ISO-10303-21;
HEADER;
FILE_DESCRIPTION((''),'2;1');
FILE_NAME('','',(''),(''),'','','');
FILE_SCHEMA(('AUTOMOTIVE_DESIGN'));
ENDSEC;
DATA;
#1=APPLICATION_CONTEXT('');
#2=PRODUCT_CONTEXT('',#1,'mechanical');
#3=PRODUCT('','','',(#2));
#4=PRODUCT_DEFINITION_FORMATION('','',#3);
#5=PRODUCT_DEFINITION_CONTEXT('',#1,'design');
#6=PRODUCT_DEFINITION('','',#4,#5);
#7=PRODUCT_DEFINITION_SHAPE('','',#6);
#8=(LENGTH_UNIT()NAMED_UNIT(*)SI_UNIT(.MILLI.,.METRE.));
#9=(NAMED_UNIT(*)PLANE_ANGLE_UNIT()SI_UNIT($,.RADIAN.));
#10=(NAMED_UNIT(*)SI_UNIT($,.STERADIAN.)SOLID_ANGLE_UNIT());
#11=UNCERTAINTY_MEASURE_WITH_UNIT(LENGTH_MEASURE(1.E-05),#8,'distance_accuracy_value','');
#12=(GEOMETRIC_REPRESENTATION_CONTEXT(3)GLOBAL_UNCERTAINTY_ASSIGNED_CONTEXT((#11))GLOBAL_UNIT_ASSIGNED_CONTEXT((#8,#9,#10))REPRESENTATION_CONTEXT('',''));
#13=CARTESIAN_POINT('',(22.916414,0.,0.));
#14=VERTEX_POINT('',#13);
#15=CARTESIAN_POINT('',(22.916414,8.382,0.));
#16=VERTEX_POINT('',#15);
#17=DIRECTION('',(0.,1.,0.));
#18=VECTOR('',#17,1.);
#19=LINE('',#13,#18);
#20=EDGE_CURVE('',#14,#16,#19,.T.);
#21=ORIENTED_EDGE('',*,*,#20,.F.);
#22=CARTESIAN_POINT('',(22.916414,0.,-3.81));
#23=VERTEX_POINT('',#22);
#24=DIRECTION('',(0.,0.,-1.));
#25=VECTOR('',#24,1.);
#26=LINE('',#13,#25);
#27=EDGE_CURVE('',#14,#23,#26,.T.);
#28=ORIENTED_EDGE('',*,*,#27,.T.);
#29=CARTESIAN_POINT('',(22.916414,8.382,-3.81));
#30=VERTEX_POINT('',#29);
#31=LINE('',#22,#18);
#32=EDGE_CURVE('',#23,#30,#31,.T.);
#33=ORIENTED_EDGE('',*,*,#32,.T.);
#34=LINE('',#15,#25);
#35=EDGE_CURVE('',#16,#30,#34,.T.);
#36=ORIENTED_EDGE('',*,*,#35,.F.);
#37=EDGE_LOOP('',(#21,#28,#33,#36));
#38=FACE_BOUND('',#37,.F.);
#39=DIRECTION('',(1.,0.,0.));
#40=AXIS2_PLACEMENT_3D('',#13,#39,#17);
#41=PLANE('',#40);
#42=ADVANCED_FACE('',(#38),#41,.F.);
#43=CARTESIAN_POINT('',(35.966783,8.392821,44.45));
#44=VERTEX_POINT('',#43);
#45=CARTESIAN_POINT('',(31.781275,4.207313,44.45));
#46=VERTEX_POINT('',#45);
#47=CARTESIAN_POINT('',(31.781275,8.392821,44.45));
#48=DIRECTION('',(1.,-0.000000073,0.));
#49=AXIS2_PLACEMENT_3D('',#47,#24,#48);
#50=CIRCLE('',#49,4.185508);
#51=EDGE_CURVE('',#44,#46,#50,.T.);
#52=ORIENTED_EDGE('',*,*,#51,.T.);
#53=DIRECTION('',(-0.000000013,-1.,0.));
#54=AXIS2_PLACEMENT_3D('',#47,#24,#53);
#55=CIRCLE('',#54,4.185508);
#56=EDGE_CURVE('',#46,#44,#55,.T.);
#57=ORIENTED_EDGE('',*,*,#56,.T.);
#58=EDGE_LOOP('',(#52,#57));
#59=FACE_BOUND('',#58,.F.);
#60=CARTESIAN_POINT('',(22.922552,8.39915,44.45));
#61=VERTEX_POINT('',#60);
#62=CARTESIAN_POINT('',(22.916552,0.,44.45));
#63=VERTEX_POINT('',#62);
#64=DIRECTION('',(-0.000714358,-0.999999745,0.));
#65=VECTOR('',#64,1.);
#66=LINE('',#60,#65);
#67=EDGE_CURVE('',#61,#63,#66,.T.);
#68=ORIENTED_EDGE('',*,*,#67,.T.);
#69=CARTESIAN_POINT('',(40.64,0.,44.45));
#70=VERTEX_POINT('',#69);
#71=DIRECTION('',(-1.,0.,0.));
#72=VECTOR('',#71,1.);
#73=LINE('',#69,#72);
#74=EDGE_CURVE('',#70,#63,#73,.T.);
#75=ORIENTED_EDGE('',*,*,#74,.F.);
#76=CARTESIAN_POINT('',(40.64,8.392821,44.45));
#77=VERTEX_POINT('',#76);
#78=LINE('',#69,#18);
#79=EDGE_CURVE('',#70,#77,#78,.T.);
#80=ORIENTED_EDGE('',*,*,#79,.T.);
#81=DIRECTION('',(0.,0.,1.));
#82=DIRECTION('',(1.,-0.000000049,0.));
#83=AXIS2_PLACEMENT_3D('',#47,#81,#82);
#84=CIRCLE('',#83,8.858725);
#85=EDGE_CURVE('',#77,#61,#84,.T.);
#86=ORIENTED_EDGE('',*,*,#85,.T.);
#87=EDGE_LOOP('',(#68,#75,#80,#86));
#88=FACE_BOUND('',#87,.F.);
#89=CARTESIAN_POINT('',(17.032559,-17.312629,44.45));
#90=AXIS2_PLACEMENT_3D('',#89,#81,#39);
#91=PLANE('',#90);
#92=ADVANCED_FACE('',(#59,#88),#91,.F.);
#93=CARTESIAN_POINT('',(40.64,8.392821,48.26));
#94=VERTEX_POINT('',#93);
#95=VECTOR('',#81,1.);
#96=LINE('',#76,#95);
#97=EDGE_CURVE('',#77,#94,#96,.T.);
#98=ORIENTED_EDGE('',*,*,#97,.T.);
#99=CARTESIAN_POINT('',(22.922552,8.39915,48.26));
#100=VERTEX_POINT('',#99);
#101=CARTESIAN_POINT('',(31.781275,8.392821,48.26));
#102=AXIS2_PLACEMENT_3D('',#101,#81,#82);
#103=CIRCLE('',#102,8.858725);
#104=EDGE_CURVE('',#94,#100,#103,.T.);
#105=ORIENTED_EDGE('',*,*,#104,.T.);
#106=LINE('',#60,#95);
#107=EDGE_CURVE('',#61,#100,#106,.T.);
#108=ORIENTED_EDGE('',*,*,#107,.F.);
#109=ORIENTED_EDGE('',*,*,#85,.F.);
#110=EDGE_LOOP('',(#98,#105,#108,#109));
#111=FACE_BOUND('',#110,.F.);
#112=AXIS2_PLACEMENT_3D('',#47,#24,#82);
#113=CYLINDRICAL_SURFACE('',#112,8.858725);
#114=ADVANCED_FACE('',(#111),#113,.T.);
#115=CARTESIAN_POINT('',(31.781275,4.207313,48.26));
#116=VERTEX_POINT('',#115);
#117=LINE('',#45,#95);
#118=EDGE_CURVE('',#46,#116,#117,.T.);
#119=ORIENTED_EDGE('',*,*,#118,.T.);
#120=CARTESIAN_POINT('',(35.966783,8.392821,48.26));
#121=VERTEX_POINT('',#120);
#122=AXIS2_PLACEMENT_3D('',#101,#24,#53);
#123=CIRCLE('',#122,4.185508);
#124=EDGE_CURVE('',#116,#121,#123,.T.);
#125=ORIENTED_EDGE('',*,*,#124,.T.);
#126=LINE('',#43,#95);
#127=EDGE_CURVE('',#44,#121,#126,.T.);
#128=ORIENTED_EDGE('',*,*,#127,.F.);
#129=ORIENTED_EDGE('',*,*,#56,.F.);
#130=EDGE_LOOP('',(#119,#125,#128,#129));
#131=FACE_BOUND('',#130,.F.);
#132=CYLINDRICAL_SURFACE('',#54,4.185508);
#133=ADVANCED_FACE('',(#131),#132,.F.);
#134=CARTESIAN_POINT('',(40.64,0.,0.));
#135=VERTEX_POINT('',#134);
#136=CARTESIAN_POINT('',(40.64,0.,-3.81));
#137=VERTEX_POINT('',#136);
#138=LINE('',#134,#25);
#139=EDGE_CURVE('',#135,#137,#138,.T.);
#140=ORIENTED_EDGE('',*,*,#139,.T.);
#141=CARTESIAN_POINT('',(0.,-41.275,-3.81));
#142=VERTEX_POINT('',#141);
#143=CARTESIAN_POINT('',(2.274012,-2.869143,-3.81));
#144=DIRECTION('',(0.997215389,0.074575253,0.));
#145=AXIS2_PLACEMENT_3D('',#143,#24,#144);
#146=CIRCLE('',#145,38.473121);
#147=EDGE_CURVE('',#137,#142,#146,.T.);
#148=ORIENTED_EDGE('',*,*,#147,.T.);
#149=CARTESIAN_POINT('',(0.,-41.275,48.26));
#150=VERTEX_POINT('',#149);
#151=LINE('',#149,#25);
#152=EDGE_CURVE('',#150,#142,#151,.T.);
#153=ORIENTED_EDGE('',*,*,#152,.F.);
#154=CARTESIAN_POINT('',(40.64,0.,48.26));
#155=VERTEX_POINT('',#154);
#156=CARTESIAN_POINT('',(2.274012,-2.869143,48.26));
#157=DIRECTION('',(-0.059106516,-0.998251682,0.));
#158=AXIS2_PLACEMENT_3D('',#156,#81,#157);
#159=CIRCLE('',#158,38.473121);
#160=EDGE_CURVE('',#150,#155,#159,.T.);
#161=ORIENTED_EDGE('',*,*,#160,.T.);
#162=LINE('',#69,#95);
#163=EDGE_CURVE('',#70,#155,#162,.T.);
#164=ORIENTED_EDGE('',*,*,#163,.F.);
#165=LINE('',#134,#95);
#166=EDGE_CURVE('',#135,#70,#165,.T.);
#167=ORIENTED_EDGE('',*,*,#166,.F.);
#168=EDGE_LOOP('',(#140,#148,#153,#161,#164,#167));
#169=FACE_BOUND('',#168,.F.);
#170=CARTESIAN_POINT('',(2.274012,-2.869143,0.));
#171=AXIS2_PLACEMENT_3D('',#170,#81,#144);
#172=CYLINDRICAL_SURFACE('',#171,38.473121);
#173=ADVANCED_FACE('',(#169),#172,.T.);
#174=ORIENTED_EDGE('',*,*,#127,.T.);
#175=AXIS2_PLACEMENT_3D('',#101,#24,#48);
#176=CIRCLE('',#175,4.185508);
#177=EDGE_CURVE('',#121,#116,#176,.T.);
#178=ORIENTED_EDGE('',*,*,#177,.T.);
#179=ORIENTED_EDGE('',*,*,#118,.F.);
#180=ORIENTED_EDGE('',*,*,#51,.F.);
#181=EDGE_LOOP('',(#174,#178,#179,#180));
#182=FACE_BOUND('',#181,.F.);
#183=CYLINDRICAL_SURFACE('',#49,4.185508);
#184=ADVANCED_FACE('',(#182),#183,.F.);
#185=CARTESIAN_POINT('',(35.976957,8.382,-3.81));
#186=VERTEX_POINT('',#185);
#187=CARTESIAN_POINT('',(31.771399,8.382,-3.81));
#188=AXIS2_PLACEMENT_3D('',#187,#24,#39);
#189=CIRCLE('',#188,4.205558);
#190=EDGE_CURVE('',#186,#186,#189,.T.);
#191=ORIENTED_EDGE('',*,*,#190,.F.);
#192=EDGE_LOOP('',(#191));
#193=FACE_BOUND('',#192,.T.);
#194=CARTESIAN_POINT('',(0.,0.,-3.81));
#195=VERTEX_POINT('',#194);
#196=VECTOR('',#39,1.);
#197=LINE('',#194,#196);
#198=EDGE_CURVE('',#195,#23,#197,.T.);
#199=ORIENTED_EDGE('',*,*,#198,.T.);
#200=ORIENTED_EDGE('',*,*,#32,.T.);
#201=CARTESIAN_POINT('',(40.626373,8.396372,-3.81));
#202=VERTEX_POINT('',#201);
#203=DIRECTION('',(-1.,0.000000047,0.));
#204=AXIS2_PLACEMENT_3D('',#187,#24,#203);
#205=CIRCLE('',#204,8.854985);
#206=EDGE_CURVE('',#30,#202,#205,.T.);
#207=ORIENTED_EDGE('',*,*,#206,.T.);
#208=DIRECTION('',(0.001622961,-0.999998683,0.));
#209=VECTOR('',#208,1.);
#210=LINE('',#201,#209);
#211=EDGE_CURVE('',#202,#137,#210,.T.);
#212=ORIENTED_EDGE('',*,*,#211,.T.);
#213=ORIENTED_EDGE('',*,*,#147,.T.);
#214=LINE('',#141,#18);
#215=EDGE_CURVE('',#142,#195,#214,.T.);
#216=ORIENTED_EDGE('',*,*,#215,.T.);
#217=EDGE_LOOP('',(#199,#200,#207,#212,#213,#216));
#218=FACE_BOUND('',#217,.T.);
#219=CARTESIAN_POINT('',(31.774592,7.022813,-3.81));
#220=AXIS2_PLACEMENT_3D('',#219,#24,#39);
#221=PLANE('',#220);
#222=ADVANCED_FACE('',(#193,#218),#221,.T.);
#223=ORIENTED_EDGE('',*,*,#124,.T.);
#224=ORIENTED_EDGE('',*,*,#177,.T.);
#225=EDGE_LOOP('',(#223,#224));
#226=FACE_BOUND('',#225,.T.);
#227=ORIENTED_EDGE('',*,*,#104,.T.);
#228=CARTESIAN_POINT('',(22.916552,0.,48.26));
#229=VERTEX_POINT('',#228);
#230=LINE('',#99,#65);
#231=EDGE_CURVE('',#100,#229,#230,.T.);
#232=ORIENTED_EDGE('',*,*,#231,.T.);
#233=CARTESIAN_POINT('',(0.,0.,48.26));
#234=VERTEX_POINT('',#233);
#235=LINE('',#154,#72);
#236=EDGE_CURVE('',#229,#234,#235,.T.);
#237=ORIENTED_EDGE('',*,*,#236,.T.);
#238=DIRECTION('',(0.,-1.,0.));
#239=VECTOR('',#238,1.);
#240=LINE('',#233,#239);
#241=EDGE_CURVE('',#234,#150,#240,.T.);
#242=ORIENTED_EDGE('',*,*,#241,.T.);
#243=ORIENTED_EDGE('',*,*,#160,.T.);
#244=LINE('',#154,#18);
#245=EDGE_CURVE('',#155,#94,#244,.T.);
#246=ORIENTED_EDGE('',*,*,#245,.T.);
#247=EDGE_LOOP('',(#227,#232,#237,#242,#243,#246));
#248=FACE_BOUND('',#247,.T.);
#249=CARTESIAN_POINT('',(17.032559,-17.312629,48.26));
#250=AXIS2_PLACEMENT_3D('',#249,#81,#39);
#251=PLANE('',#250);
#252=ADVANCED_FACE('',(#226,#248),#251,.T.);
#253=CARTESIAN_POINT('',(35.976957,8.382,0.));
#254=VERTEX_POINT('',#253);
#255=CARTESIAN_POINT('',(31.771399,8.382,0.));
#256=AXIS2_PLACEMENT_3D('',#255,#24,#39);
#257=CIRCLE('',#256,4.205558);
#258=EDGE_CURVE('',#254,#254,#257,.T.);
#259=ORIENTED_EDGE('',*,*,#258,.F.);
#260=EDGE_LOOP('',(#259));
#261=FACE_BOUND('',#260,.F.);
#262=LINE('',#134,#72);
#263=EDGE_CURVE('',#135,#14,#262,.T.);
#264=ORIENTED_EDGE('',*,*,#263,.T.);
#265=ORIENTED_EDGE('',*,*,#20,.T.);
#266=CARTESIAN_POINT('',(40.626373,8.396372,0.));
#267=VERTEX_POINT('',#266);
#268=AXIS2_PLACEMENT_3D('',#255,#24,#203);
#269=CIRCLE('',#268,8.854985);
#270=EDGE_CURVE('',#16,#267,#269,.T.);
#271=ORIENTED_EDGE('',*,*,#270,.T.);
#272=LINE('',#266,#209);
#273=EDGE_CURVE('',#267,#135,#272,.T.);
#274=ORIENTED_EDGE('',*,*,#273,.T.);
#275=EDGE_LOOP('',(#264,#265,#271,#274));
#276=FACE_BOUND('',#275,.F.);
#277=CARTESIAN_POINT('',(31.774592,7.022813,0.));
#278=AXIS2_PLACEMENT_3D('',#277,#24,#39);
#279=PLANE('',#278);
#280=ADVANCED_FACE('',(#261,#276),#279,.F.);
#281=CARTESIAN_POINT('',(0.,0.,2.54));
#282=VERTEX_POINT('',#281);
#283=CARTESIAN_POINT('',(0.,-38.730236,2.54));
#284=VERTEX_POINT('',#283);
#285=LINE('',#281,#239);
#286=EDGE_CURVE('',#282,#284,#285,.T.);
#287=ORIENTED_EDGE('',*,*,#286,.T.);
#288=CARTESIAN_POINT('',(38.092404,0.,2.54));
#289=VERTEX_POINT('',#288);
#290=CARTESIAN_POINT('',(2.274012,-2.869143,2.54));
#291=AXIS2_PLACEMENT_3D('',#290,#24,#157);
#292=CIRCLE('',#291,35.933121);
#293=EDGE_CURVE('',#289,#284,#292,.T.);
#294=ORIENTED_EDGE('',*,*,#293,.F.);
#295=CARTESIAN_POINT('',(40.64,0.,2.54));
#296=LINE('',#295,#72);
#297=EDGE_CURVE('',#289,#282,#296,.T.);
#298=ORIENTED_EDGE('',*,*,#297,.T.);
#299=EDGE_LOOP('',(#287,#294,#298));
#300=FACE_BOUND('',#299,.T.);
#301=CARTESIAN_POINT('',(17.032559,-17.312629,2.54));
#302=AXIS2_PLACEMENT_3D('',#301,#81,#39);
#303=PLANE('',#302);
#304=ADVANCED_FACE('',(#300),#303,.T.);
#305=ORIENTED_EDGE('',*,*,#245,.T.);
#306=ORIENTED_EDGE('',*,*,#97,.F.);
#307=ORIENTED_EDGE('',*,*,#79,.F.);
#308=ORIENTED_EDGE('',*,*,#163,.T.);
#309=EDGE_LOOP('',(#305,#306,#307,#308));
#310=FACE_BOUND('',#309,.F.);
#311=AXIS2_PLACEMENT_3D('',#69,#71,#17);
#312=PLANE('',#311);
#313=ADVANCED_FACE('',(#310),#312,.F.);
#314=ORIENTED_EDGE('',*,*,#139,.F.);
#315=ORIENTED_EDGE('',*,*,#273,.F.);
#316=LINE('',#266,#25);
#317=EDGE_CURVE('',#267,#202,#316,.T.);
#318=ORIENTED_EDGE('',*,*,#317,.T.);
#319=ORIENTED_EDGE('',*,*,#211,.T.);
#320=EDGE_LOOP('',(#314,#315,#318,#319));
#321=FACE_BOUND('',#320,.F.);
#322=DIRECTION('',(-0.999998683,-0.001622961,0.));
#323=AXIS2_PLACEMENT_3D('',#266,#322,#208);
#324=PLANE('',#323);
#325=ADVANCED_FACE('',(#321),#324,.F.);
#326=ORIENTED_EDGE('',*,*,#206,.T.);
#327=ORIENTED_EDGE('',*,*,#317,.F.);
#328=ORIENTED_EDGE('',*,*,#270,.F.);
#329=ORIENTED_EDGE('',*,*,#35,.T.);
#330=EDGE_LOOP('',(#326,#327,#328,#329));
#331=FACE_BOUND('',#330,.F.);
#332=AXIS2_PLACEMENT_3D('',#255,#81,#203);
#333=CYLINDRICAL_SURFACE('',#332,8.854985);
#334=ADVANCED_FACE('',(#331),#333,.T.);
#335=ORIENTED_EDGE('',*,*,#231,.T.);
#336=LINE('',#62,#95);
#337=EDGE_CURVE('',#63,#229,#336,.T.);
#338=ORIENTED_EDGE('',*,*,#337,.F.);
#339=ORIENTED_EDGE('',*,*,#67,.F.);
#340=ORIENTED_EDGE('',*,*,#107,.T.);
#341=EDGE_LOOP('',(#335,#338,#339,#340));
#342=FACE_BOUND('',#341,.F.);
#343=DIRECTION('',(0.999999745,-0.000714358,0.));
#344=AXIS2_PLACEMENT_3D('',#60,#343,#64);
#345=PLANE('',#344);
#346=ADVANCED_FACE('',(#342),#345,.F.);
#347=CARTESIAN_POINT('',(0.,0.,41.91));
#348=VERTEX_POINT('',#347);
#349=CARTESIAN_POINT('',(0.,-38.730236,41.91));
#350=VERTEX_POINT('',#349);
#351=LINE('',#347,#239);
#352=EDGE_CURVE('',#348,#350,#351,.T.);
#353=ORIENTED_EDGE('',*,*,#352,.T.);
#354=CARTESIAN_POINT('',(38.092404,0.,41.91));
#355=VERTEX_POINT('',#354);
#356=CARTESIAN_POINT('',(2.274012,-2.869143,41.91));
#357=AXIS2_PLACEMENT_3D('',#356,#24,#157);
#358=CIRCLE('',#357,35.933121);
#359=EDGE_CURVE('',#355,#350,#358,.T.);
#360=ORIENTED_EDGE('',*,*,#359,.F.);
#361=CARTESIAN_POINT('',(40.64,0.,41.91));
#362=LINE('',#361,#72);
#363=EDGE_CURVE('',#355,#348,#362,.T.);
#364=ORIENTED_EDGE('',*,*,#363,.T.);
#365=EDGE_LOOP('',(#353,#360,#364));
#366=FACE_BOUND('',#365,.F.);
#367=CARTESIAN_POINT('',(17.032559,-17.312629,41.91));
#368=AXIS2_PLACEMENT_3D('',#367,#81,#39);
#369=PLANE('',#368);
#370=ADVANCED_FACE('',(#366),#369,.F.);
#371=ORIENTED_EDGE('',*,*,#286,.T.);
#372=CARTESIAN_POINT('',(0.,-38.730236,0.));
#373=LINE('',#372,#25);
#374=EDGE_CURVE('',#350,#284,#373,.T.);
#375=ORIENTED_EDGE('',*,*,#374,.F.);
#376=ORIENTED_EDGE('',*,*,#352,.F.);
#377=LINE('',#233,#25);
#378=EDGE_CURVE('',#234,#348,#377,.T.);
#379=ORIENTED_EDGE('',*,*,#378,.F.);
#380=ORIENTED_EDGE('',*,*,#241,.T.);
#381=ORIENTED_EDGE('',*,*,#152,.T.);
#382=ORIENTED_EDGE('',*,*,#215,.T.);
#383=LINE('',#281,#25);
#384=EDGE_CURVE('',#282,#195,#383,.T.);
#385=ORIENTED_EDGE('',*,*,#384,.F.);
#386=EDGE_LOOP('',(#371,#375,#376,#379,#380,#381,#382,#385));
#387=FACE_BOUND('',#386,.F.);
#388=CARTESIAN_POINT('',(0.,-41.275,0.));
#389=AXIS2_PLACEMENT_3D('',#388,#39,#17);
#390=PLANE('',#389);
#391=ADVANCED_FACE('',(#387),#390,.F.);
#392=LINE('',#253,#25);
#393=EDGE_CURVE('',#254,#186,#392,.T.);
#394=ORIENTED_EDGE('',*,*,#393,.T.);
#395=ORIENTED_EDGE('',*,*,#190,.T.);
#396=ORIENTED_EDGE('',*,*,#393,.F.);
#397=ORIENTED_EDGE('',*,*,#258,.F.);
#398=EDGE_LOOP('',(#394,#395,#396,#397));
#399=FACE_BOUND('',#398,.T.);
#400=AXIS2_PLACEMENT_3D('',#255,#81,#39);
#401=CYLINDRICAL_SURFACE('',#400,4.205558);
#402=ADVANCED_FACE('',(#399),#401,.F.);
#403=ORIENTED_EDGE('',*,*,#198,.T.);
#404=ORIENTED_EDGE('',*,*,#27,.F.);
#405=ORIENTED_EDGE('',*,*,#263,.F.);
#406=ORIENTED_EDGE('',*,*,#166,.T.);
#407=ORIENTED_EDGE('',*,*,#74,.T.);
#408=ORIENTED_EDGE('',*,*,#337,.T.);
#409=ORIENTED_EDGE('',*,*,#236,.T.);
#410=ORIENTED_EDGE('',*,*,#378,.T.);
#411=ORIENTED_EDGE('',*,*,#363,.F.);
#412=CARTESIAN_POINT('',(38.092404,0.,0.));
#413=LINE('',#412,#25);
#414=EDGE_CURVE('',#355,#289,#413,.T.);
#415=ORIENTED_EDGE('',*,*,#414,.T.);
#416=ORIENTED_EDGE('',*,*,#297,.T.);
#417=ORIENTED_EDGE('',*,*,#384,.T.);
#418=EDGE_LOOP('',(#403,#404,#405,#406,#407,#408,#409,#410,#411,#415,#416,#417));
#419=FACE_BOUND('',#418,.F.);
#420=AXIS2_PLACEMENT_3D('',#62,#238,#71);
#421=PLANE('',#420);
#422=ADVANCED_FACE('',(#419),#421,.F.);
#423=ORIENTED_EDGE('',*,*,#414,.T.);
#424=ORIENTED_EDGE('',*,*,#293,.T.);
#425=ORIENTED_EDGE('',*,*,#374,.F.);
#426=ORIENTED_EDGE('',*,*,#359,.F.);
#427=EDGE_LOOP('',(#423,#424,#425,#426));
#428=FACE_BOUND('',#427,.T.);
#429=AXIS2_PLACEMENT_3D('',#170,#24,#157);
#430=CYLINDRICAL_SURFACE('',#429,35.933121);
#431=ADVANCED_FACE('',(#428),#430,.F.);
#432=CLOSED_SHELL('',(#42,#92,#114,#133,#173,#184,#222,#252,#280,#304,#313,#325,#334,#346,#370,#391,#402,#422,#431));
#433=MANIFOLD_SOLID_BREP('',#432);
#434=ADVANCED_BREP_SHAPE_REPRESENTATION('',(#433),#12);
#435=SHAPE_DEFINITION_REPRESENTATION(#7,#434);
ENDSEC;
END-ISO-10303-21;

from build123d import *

# Parameters (mm, degrees)
F1_DEPTH = 44.45
F2_T     = -2.54
F4_DEPTH = 3.81
F5_R     = 4.205558
F6_DEPTH = 3.81


with BuildPart() as f1:
    # F0 (on Top) → F1 (new body)
    with BuildSketch(Plane.XY):
        with BuildLine():
            Line((40.64, 0), (0, 0))
            Line((0, 0), (0, -41.275))
            ThreePointArc((0, -41.275), (29.688681, -29.862048), (40.64, 0))
        make_face()
    extrude(amount=F1_DEPTH)

    # F2
    f2_openings = [f1.faces().sort_by_distance(p)[0] for p in [
        (0, -20.6375, 22.225),
        (20.32, 0, 22.225),
    ]]
    offset(amount=F2_T, openings=f2_openings)

    # F3 (on face) → F4 (join)
    with BuildSketch(Plane.XY.offset(44.45)):
        with BuildLine():
            ThreePointArc((0, -41.275), (29.688681, -29.862048), (40.64, 0))
            Line((40.64, 0), (31.781275, 0))
            Line((31.781275, 0), (22.916552, 0))
            Line((22.916552, 0), (0, 0))
            Line((0, 0), (0, -41.275))
        make_face()
        with BuildLine():
            Line((31.781275, 0), (40.64, 0))
            Line((40.64, 0), (40.64, 8.392821))
            ThreePointArc((40.64, 8.392821), (31.784439, 17.251546), (22.922552, 8.39915))
            Line((22.922552, 8.39915), (22.916552, 0))
            Line((22.916552, 0), (31.781275, 0))
        make_face()
        with BuildLine():
            ThreePointArc((35.966783, 8.392821), (34.740876, 5.43322), (31.781275, 4.207313))
            ThreePointArc((31.781275, 4.207313), (28.821674, 11.352422), (35.966783, 8.392821))
        make_face(mode=Mode.SUBTRACT)
    extrude(amount=F4_DEPTH)

    # F5 (on face) → F6 (join)
    with BuildSketch(Plane(origin=(0, 0, 0), x_dir=(1, 0, 0), z_dir=(0, 0, -1))):
        with BuildLine():
            Line((40.626373, -8.396372), (40.64, 0))
            Line((40.64, 0), (31.771399, 0))
            Line((31.771399, 0), (22.916414, 0))
            Line((22.916414, 0), (22.916414, -8.382))
            ThreePointArc((22.916414, -8.382), (31.764213, -17.236982), (40.626373, -8.396372))
        make_face()
        with Locations((31.771399, -8.382)):
            Circle(F5_R, mode=Mode.SUBTRACT)
        with BuildLine():
            Line((31.771399, 0), (40.64, 0))
            ThreePointArc((40.64, 0), (29.688681, 29.862048), (0, 41.275))
            Line((0, 41.275), (0, 0))
            Line((0, 0), (22.916414, 0))
            Line((22.916414, 0), (31.771399, 0))
        make_face()
    extrude(amount=F6_DEPTH)


solid = f1.part
